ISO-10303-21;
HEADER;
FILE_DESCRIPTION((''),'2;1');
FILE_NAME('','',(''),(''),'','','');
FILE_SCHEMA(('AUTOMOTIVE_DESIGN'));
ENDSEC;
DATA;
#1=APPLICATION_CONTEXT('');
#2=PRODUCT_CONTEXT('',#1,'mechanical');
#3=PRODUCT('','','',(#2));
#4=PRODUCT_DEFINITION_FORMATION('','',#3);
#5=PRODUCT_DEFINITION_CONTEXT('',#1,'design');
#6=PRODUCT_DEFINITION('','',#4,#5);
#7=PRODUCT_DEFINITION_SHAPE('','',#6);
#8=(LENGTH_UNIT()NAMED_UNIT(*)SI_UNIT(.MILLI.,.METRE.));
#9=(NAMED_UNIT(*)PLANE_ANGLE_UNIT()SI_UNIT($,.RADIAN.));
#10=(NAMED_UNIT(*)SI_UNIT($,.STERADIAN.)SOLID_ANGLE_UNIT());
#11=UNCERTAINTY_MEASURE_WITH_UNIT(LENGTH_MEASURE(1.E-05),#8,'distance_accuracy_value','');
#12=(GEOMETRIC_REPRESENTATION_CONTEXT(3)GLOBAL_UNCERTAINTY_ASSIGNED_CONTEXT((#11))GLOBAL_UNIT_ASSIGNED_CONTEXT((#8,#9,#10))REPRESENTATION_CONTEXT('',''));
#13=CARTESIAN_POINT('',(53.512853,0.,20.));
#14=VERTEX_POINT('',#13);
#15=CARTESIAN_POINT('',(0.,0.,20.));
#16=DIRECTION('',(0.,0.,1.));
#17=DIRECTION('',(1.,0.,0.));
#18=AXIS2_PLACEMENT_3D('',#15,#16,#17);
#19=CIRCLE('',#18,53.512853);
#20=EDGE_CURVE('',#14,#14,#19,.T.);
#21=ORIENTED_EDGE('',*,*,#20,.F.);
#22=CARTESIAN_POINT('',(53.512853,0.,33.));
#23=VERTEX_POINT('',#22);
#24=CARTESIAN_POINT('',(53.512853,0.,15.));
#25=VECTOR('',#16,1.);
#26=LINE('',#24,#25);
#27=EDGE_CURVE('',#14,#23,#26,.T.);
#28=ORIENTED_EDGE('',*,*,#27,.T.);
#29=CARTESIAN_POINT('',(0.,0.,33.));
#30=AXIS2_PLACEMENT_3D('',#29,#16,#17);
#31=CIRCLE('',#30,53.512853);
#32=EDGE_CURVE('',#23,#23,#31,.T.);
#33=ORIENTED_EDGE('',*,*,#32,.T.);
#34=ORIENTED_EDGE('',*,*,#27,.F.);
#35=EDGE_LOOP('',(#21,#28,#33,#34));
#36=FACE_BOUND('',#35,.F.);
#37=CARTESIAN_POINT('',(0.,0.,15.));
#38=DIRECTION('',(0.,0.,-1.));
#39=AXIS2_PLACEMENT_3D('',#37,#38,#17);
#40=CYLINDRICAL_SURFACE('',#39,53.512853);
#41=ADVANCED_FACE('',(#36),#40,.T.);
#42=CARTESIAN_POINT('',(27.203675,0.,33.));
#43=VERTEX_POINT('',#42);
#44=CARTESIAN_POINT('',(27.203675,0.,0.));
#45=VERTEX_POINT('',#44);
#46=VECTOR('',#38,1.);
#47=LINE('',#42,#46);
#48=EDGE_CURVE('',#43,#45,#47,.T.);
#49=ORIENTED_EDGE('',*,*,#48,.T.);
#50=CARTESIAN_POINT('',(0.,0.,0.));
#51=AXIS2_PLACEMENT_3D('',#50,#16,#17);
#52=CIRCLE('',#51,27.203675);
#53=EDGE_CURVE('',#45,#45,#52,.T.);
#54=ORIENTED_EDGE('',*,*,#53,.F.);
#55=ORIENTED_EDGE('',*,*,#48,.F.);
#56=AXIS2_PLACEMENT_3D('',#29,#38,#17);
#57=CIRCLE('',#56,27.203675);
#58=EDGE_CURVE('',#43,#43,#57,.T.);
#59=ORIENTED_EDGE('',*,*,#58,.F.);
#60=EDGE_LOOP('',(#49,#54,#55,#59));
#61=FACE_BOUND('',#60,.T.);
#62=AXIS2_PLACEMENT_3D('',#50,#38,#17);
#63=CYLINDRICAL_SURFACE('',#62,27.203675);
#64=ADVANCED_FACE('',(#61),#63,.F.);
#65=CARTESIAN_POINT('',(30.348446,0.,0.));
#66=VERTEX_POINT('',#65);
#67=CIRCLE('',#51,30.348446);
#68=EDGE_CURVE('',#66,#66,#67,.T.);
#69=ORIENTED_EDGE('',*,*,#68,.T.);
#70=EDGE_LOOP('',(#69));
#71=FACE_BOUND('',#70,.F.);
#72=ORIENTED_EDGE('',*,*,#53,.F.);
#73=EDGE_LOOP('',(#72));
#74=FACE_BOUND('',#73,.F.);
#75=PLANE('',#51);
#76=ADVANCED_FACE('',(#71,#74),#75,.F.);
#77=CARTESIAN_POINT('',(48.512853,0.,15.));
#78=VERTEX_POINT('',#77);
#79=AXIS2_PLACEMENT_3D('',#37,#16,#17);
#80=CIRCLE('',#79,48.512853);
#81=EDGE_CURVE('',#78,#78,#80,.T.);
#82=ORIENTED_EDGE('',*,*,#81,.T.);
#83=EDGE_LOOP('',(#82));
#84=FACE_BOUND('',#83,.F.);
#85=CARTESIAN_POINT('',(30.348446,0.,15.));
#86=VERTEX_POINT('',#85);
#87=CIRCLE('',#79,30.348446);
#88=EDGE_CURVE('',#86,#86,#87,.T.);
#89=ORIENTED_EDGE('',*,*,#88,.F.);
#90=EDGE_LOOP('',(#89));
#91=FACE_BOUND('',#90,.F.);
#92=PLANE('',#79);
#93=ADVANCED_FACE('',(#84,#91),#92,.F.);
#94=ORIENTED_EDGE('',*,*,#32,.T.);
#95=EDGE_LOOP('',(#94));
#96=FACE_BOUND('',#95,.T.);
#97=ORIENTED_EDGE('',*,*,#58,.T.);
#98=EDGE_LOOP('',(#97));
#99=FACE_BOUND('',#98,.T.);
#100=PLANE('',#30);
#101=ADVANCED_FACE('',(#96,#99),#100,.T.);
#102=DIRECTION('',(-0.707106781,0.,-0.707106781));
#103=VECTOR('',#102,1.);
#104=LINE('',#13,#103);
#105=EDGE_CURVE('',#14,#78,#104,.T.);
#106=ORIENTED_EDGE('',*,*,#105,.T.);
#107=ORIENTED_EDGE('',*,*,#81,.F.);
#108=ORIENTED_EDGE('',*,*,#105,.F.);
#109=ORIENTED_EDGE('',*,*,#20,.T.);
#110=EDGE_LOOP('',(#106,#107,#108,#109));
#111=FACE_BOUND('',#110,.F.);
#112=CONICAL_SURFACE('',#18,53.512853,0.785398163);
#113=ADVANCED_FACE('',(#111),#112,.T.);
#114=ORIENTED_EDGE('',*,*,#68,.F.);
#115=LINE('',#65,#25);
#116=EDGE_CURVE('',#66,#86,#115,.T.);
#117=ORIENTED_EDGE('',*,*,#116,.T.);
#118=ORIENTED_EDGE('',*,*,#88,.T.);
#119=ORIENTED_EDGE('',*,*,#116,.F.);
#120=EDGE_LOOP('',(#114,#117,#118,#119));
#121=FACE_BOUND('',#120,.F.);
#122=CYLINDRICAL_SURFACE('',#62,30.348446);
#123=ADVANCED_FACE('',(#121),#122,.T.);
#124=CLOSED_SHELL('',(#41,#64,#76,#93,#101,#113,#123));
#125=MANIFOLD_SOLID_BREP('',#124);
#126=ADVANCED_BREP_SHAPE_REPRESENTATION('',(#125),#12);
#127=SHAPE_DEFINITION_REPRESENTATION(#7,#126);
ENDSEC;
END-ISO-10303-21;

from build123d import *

# Parameters (mm, degrees)
F0_R     = 30.348446
F0_R_2   = 27.203675
F1_DEPTH = 15
F2_R     = 53.512853
F3_DEPTH = 18
F4_DEPTH = 81.4
F5_SIZE  = 5


with BuildPart() as f1:
    # F0 (on Top) → F1 (new body)
    with BuildSketch(Plane.XY):
        Circle(F0_R)
        Circle(F0_R_2, mode=Mode.SUBTRACT)
    extrude(amount=F1_DEPTH)

    # F2 (on face) → F3 (join)
    with BuildSketch(Plane.XY.offset(15)):
        Circle(F2_R)
    extrude(amount=F3_DEPTH)

    # F0 (on Top) → F4 (cut)
    with BuildSketch(Plane.XY):
        Circle(F0_R_2)
    extrude(amount=F4_DEPTH, mode=Mode.SUBTRACT)

    # F5
    f5_edges = [f1.edges().sort_by_distance(p)[0] for p in [
        (-53.512853, 0, 15),
    ]]
    chamfer(f5_edges, length=F5_SIZE)


solid = f1.part
